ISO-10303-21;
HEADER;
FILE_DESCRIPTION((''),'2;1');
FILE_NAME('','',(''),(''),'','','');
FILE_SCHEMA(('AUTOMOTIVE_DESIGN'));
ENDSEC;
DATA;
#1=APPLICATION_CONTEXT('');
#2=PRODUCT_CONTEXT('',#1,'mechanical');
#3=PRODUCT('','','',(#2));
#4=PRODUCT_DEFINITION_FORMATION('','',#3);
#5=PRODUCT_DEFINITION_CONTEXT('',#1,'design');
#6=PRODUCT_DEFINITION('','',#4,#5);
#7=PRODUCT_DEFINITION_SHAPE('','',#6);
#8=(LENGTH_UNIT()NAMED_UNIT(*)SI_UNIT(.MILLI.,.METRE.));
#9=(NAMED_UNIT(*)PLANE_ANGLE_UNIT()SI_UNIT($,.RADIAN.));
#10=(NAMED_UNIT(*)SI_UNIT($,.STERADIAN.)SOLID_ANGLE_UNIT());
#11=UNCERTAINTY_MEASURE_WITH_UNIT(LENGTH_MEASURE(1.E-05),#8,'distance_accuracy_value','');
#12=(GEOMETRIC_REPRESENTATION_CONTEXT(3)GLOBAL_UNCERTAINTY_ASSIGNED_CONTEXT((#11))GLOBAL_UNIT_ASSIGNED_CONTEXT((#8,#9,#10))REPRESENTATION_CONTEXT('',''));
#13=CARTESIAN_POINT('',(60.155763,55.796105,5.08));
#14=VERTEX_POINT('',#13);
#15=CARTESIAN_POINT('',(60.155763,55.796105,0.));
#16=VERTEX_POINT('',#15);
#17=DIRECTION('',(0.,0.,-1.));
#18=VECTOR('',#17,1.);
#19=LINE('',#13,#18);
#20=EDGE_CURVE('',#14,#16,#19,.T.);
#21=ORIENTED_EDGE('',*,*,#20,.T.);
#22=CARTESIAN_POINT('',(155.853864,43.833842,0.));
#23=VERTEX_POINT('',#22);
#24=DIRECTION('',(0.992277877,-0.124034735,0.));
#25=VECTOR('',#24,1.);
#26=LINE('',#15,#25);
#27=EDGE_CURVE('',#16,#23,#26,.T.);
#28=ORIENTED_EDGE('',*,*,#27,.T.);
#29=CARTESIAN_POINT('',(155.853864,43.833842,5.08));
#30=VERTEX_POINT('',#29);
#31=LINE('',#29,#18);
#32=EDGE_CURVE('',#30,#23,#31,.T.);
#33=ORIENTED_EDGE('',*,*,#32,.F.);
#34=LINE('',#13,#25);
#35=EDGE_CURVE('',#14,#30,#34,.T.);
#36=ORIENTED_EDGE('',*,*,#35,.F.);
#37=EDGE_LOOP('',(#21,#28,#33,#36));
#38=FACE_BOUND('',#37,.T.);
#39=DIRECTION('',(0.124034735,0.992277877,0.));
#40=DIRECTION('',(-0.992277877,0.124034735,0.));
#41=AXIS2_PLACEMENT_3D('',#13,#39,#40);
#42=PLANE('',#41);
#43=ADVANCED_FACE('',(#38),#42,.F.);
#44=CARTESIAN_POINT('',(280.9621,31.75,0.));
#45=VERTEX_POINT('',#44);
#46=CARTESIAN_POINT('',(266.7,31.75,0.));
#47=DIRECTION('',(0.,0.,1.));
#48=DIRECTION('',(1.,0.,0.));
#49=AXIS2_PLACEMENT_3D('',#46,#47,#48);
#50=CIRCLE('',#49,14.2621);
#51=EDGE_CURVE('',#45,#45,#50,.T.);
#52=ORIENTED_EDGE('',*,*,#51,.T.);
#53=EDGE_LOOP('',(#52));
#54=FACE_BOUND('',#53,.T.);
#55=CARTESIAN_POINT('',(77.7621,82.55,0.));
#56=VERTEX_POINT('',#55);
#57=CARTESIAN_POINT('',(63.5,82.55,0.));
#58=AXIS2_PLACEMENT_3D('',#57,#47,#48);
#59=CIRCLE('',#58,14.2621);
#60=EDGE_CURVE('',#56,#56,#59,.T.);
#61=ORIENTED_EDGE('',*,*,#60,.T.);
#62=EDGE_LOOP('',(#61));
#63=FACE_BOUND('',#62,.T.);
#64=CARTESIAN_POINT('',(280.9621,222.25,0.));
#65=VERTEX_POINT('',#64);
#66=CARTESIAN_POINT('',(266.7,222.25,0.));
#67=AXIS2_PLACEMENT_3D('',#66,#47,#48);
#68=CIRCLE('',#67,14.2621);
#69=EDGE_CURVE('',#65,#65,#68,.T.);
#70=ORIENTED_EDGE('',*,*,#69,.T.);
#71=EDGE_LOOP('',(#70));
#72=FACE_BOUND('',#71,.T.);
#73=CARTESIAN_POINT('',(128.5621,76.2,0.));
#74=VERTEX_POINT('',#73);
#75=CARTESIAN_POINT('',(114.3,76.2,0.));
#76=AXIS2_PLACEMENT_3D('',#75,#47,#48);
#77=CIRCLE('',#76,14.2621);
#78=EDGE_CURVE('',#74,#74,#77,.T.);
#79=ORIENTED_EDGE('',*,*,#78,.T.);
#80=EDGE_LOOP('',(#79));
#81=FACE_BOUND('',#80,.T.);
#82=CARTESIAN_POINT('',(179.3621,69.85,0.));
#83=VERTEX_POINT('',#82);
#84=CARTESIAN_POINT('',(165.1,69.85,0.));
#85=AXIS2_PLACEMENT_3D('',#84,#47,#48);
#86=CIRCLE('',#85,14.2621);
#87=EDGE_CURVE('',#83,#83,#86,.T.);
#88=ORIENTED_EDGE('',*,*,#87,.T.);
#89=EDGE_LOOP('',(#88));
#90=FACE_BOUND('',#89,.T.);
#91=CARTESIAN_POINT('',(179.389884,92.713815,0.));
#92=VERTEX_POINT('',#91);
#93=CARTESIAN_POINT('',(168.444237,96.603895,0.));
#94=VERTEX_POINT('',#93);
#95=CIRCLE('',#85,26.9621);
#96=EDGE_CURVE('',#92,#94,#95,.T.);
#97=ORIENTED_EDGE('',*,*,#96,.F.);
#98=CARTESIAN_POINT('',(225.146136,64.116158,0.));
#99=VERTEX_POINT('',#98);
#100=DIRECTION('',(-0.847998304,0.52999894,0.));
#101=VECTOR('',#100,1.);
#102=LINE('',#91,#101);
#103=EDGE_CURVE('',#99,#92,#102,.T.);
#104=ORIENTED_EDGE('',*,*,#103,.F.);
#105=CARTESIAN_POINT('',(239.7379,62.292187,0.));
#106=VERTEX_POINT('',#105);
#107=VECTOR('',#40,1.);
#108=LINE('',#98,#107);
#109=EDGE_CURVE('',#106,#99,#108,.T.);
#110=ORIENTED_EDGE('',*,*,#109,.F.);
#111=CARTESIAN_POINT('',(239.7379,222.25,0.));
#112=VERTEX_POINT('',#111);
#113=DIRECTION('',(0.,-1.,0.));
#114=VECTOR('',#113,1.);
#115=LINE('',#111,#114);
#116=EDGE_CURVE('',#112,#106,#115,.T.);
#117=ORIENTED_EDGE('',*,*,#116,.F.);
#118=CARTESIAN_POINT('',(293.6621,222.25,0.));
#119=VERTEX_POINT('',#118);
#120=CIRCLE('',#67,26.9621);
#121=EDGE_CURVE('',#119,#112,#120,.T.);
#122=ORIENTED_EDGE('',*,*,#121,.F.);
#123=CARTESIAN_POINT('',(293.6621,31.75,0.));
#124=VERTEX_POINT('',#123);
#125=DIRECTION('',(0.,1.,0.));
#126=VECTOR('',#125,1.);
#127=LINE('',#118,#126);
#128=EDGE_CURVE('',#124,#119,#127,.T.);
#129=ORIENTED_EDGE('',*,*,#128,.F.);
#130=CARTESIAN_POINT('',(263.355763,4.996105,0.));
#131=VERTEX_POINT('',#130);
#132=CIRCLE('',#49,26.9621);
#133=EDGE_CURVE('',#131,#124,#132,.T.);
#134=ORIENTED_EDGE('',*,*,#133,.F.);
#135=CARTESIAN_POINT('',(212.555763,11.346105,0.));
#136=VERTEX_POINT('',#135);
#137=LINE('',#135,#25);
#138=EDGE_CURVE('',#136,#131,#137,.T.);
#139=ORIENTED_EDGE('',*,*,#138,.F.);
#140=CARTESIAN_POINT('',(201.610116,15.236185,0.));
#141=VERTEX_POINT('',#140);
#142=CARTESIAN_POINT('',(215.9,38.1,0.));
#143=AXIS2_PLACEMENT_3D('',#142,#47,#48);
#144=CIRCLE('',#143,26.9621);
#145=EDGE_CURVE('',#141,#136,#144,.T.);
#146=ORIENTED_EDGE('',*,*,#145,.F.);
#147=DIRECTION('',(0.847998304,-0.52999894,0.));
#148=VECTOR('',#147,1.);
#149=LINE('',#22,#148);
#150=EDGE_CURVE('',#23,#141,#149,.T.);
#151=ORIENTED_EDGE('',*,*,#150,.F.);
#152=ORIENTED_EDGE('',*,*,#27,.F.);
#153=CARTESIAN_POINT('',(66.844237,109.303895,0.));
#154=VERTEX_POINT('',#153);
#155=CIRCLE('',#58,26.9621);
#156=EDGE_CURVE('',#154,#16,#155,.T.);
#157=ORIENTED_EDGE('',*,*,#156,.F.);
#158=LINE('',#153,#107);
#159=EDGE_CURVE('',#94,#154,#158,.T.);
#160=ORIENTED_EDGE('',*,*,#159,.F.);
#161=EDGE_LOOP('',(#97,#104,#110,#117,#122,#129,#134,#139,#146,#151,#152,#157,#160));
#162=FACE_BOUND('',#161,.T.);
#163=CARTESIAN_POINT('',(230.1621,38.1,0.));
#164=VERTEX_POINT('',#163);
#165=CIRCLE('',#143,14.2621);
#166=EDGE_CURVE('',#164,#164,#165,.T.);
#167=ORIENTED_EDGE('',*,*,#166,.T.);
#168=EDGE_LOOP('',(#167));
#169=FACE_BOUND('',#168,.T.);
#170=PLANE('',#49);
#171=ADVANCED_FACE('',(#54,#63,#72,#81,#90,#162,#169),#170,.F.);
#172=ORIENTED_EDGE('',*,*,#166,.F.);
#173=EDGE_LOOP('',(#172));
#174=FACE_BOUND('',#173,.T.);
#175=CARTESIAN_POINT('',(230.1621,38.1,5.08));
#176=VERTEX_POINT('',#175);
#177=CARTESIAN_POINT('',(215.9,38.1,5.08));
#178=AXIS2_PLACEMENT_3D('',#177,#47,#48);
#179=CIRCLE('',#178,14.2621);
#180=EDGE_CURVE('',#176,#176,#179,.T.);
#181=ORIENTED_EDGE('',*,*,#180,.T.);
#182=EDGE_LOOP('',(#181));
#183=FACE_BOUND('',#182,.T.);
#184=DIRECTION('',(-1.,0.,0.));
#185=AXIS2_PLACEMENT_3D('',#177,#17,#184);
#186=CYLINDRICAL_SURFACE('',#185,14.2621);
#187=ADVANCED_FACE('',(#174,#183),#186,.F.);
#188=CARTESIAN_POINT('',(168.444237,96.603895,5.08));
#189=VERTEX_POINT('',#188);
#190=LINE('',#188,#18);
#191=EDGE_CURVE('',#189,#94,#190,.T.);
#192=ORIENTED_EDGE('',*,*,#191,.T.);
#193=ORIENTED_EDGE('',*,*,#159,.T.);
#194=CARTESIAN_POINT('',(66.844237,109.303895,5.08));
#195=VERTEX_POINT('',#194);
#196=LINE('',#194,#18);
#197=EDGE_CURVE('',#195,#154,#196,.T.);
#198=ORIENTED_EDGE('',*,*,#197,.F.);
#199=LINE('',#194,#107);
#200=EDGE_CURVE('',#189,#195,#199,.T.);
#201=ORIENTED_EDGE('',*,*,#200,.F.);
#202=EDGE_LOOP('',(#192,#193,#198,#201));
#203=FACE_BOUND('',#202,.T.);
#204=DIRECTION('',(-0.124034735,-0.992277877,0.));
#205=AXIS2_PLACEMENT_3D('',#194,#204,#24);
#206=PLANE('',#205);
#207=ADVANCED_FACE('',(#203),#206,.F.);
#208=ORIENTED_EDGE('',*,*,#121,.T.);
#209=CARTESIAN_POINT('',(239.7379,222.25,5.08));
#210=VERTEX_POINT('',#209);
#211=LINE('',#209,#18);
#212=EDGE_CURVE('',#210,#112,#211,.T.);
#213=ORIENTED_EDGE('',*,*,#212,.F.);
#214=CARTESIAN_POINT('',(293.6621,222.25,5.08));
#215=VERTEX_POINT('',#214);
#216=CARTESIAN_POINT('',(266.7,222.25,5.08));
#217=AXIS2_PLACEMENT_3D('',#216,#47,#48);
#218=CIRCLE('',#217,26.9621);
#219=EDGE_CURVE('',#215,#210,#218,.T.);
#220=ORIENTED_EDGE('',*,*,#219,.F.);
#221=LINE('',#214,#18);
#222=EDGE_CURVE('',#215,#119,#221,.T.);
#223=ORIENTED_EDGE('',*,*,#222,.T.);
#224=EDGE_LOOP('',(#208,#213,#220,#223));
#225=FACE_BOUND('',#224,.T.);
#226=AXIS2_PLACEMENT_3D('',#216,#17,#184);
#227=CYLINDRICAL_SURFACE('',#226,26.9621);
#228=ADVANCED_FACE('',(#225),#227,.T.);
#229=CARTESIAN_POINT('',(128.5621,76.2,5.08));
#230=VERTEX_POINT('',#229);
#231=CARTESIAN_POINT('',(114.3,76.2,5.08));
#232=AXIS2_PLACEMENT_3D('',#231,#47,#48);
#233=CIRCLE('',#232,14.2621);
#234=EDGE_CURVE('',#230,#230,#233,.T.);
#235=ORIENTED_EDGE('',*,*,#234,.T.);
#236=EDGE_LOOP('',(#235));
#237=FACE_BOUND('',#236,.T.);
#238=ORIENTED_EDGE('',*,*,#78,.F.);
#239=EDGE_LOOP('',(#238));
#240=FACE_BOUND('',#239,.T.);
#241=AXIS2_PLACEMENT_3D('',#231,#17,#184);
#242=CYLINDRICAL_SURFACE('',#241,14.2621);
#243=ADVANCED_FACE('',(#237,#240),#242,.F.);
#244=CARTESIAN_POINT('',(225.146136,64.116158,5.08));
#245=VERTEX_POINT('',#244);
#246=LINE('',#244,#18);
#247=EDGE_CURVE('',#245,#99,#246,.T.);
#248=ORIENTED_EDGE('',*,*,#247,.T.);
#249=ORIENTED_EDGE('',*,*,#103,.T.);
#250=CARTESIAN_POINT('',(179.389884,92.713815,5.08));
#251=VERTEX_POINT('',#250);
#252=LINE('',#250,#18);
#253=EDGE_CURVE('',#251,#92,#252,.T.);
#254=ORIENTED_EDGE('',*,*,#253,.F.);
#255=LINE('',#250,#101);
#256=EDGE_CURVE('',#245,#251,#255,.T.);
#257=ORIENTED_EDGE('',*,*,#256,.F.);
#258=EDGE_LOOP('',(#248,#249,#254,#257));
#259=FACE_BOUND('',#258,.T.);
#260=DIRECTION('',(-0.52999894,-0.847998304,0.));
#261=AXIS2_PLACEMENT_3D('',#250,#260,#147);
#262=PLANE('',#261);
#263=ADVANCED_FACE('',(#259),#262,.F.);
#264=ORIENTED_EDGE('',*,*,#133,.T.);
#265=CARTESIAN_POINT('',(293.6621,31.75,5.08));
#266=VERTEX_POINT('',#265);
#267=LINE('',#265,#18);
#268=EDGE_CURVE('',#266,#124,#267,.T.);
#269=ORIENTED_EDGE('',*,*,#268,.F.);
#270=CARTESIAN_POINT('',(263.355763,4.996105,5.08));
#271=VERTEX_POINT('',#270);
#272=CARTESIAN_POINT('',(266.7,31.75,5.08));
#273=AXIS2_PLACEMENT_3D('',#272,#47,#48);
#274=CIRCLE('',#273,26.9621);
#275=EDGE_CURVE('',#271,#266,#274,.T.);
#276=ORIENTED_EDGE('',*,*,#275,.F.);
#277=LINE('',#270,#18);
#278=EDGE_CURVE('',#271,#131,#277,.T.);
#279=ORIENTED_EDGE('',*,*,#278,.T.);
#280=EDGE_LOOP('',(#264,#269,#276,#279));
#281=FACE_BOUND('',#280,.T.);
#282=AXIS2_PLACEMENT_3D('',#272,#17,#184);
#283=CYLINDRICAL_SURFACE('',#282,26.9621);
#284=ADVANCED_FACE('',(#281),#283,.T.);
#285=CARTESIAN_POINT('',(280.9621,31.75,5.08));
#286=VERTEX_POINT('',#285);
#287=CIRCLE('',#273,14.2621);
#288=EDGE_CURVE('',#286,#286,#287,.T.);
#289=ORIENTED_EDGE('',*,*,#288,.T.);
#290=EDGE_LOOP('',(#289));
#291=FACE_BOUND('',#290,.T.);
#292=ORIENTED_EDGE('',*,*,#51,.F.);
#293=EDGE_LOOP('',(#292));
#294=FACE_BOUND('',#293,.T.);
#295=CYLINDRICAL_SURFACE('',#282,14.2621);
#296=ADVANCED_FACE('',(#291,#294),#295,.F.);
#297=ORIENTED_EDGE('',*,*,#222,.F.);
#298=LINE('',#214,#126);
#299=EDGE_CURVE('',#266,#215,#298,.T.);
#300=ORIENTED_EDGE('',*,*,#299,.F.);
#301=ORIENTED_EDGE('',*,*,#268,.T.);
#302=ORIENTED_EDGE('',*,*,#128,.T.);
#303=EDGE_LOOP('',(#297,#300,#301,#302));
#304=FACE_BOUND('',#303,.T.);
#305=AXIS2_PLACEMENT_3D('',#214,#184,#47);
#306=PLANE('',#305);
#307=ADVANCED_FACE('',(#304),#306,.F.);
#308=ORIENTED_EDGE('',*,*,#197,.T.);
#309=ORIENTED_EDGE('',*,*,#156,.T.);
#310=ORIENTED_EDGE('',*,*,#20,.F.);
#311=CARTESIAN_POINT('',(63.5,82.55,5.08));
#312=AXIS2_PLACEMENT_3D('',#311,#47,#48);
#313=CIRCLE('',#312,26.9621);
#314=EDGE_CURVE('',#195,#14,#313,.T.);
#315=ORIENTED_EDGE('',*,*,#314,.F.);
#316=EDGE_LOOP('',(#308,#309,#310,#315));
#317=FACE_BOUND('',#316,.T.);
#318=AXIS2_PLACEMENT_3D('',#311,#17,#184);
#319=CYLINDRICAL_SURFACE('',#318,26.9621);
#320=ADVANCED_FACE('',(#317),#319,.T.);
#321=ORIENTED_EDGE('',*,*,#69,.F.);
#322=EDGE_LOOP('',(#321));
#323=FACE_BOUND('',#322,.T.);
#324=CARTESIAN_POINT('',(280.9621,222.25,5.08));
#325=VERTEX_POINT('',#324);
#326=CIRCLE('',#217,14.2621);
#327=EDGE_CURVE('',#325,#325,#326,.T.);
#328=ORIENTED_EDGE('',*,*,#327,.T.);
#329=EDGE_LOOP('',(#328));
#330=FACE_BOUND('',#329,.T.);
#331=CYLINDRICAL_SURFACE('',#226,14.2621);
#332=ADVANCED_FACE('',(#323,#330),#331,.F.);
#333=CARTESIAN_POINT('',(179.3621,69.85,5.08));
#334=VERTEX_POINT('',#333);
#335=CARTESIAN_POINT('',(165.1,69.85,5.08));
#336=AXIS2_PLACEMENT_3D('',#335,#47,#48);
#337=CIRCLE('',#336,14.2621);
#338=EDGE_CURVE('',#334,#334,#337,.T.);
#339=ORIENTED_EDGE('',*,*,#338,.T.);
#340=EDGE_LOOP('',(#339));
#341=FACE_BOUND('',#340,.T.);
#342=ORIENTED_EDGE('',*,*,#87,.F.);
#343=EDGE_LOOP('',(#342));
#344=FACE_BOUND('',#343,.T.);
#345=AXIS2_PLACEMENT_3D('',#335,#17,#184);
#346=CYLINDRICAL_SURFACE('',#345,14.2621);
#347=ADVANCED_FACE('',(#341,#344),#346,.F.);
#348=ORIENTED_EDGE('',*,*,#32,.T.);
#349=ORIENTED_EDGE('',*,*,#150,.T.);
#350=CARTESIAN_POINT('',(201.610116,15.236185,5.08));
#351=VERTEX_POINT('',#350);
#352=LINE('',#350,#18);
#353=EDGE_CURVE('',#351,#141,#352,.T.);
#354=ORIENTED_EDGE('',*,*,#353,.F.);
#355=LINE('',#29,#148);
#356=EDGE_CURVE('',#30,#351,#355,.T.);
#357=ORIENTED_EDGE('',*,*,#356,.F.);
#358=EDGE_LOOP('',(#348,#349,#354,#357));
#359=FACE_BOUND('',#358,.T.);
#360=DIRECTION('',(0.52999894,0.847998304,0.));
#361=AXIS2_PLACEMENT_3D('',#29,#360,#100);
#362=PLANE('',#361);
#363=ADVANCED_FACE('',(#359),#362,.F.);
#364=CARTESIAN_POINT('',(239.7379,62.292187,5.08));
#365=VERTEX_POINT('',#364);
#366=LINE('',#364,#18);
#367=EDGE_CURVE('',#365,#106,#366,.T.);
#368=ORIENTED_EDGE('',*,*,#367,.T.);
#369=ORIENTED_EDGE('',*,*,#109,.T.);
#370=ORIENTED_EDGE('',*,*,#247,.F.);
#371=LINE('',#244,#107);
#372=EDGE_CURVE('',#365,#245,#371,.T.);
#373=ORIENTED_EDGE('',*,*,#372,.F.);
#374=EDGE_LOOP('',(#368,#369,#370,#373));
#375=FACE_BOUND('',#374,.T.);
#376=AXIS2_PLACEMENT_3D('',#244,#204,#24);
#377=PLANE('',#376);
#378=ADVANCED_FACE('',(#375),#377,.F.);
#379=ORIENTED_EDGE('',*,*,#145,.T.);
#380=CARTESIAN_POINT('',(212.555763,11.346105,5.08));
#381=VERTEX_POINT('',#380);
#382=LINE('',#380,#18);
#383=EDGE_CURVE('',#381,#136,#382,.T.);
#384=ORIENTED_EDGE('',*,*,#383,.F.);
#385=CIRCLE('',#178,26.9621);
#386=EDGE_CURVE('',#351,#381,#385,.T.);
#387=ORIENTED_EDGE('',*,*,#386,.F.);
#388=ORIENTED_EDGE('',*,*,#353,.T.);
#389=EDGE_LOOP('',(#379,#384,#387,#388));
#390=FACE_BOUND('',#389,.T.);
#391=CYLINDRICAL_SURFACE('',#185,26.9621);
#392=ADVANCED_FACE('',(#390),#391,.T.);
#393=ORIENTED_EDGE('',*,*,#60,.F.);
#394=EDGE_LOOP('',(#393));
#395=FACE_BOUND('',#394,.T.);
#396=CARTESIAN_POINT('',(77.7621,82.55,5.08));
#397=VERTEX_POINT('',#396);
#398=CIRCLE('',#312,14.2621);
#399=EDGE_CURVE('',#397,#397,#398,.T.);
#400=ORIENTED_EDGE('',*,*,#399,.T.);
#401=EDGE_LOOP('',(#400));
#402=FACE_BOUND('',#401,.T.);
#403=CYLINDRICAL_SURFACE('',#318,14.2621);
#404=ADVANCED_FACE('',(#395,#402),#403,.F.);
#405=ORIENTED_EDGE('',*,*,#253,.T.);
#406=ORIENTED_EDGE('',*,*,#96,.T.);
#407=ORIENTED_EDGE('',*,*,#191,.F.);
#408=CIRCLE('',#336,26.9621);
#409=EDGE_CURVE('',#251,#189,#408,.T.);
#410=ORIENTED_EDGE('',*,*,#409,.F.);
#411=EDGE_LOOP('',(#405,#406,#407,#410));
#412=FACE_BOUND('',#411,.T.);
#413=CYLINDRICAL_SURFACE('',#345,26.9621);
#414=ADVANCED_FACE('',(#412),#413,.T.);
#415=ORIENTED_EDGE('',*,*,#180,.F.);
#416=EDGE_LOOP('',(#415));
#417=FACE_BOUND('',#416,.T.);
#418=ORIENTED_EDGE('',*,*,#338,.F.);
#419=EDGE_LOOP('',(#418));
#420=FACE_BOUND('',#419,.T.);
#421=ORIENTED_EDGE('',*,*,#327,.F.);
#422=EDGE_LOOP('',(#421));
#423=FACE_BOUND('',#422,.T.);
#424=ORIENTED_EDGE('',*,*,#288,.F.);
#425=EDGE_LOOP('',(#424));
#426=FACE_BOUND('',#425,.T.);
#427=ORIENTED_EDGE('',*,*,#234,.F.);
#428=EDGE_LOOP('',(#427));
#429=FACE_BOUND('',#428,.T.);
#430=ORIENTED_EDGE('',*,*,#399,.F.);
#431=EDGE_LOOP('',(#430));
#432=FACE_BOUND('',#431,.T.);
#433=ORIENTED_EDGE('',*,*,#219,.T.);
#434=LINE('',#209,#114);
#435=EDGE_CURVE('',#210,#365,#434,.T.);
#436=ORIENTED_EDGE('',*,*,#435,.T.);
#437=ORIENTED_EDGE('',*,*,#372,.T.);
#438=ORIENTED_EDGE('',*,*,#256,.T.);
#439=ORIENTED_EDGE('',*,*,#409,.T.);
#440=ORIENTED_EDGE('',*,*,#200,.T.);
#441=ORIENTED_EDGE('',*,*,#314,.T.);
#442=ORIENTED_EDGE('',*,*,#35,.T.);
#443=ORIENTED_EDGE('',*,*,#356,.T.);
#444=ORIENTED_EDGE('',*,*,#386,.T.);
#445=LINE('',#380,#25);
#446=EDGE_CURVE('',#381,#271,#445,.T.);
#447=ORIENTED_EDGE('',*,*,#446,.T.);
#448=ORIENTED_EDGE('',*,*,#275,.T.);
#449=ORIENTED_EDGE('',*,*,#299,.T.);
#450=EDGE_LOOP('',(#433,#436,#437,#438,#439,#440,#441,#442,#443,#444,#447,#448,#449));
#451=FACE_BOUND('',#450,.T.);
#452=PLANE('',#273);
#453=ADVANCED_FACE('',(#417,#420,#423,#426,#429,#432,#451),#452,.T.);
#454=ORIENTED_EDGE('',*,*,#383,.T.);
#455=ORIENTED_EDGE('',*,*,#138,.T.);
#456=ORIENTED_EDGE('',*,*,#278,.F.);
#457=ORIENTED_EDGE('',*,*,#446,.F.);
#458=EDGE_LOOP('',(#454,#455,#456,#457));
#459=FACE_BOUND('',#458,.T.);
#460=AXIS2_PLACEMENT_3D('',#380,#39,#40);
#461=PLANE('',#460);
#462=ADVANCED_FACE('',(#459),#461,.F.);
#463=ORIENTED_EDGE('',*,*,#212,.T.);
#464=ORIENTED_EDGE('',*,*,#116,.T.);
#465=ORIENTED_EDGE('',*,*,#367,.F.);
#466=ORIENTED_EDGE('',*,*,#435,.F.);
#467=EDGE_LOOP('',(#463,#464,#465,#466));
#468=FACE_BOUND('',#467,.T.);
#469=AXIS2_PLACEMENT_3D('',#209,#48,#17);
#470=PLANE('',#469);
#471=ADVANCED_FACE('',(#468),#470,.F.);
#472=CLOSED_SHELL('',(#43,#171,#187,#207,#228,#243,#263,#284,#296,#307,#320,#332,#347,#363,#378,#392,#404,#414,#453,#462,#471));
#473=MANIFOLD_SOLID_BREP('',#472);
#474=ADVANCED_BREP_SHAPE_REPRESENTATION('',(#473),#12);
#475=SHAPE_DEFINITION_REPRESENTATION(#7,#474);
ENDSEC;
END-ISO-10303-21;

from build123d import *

# Parameters (mm, degrees)
MODEL_R             = 14.2621
BOSS_EXTRUDE1_DEPTH = 5.08


with BuildPart() as part:
    # Model → Boss-Extrude1 (new body)
    with BuildSketch(Plane.XY):
        with BuildLine():
            Line((293.6621, 222.25), (293.6621, 31.75))
            ThreePointArc((293.6621, 31.75), (284.54358689, 11.537102056), (263.355763082, 4.996104661))
            Line((263.355763082, 4.996104661), (212.555763082, 11.346104661))
            ThreePointArc((212.555763082, 11.346104661), (206.870950218, 12.694664017), (201.61011558, 15.236184928))
            Line((201.61011558, 15.236184928), (155.853864238, 43.833842015))
            Line((155.853864238, 43.833842015), (60.155763082, 55.796104661))
            ThreePointArc((60.155763082, 55.796104661), (36.746104661, 85.894236918), (66.844236918, 109.303895339))
            Line((66.844236918, 109.303895339), (168.444236918, 96.603895339))
            ThreePointArc((168.444236918, 96.603895339), (174.129049782, 95.255335983), (179.38988442, 92.713815072))
            Line((179.38988442, 92.713815072), (225.146135762, 64.116157985))
            Line((225.146135762, 64.116157985), (239.7379, 62.292187455))
            Line((239.7379, 62.292187455), (239.7379, 222.25))
            ThreePointArc((239.7379, 222.25), (266.7, 249.2121), (293.6621, 222.25))
        make_face()
        with Locations((63.5, 82.55)):
            Circle(MODEL_R, mode=Mode.SUBTRACT)
        with Locations((114.3, 76.2)):
            Circle(MODEL_R, mode=Mode.SUBTRACT)
        with Locations((165.1, 69.85)):
            Circle(MODEL_R, mode=Mode.SUBTRACT)
        with Locations((215.9, 38.1)):
            Circle(MODEL_R, mode=Mode.SUBTRACT)
        with Locations((266.7, 222.25)):
            Circle(MODEL_R, mode=Mode.SUBTRACT)
        with Locations((266.7, 31.75)):
            Circle(MODEL_R, mode=Mode.SUBTRACT)
    extrude(amount=BOSS_EXTRUDE1_DEPTH)


solid = part.part
